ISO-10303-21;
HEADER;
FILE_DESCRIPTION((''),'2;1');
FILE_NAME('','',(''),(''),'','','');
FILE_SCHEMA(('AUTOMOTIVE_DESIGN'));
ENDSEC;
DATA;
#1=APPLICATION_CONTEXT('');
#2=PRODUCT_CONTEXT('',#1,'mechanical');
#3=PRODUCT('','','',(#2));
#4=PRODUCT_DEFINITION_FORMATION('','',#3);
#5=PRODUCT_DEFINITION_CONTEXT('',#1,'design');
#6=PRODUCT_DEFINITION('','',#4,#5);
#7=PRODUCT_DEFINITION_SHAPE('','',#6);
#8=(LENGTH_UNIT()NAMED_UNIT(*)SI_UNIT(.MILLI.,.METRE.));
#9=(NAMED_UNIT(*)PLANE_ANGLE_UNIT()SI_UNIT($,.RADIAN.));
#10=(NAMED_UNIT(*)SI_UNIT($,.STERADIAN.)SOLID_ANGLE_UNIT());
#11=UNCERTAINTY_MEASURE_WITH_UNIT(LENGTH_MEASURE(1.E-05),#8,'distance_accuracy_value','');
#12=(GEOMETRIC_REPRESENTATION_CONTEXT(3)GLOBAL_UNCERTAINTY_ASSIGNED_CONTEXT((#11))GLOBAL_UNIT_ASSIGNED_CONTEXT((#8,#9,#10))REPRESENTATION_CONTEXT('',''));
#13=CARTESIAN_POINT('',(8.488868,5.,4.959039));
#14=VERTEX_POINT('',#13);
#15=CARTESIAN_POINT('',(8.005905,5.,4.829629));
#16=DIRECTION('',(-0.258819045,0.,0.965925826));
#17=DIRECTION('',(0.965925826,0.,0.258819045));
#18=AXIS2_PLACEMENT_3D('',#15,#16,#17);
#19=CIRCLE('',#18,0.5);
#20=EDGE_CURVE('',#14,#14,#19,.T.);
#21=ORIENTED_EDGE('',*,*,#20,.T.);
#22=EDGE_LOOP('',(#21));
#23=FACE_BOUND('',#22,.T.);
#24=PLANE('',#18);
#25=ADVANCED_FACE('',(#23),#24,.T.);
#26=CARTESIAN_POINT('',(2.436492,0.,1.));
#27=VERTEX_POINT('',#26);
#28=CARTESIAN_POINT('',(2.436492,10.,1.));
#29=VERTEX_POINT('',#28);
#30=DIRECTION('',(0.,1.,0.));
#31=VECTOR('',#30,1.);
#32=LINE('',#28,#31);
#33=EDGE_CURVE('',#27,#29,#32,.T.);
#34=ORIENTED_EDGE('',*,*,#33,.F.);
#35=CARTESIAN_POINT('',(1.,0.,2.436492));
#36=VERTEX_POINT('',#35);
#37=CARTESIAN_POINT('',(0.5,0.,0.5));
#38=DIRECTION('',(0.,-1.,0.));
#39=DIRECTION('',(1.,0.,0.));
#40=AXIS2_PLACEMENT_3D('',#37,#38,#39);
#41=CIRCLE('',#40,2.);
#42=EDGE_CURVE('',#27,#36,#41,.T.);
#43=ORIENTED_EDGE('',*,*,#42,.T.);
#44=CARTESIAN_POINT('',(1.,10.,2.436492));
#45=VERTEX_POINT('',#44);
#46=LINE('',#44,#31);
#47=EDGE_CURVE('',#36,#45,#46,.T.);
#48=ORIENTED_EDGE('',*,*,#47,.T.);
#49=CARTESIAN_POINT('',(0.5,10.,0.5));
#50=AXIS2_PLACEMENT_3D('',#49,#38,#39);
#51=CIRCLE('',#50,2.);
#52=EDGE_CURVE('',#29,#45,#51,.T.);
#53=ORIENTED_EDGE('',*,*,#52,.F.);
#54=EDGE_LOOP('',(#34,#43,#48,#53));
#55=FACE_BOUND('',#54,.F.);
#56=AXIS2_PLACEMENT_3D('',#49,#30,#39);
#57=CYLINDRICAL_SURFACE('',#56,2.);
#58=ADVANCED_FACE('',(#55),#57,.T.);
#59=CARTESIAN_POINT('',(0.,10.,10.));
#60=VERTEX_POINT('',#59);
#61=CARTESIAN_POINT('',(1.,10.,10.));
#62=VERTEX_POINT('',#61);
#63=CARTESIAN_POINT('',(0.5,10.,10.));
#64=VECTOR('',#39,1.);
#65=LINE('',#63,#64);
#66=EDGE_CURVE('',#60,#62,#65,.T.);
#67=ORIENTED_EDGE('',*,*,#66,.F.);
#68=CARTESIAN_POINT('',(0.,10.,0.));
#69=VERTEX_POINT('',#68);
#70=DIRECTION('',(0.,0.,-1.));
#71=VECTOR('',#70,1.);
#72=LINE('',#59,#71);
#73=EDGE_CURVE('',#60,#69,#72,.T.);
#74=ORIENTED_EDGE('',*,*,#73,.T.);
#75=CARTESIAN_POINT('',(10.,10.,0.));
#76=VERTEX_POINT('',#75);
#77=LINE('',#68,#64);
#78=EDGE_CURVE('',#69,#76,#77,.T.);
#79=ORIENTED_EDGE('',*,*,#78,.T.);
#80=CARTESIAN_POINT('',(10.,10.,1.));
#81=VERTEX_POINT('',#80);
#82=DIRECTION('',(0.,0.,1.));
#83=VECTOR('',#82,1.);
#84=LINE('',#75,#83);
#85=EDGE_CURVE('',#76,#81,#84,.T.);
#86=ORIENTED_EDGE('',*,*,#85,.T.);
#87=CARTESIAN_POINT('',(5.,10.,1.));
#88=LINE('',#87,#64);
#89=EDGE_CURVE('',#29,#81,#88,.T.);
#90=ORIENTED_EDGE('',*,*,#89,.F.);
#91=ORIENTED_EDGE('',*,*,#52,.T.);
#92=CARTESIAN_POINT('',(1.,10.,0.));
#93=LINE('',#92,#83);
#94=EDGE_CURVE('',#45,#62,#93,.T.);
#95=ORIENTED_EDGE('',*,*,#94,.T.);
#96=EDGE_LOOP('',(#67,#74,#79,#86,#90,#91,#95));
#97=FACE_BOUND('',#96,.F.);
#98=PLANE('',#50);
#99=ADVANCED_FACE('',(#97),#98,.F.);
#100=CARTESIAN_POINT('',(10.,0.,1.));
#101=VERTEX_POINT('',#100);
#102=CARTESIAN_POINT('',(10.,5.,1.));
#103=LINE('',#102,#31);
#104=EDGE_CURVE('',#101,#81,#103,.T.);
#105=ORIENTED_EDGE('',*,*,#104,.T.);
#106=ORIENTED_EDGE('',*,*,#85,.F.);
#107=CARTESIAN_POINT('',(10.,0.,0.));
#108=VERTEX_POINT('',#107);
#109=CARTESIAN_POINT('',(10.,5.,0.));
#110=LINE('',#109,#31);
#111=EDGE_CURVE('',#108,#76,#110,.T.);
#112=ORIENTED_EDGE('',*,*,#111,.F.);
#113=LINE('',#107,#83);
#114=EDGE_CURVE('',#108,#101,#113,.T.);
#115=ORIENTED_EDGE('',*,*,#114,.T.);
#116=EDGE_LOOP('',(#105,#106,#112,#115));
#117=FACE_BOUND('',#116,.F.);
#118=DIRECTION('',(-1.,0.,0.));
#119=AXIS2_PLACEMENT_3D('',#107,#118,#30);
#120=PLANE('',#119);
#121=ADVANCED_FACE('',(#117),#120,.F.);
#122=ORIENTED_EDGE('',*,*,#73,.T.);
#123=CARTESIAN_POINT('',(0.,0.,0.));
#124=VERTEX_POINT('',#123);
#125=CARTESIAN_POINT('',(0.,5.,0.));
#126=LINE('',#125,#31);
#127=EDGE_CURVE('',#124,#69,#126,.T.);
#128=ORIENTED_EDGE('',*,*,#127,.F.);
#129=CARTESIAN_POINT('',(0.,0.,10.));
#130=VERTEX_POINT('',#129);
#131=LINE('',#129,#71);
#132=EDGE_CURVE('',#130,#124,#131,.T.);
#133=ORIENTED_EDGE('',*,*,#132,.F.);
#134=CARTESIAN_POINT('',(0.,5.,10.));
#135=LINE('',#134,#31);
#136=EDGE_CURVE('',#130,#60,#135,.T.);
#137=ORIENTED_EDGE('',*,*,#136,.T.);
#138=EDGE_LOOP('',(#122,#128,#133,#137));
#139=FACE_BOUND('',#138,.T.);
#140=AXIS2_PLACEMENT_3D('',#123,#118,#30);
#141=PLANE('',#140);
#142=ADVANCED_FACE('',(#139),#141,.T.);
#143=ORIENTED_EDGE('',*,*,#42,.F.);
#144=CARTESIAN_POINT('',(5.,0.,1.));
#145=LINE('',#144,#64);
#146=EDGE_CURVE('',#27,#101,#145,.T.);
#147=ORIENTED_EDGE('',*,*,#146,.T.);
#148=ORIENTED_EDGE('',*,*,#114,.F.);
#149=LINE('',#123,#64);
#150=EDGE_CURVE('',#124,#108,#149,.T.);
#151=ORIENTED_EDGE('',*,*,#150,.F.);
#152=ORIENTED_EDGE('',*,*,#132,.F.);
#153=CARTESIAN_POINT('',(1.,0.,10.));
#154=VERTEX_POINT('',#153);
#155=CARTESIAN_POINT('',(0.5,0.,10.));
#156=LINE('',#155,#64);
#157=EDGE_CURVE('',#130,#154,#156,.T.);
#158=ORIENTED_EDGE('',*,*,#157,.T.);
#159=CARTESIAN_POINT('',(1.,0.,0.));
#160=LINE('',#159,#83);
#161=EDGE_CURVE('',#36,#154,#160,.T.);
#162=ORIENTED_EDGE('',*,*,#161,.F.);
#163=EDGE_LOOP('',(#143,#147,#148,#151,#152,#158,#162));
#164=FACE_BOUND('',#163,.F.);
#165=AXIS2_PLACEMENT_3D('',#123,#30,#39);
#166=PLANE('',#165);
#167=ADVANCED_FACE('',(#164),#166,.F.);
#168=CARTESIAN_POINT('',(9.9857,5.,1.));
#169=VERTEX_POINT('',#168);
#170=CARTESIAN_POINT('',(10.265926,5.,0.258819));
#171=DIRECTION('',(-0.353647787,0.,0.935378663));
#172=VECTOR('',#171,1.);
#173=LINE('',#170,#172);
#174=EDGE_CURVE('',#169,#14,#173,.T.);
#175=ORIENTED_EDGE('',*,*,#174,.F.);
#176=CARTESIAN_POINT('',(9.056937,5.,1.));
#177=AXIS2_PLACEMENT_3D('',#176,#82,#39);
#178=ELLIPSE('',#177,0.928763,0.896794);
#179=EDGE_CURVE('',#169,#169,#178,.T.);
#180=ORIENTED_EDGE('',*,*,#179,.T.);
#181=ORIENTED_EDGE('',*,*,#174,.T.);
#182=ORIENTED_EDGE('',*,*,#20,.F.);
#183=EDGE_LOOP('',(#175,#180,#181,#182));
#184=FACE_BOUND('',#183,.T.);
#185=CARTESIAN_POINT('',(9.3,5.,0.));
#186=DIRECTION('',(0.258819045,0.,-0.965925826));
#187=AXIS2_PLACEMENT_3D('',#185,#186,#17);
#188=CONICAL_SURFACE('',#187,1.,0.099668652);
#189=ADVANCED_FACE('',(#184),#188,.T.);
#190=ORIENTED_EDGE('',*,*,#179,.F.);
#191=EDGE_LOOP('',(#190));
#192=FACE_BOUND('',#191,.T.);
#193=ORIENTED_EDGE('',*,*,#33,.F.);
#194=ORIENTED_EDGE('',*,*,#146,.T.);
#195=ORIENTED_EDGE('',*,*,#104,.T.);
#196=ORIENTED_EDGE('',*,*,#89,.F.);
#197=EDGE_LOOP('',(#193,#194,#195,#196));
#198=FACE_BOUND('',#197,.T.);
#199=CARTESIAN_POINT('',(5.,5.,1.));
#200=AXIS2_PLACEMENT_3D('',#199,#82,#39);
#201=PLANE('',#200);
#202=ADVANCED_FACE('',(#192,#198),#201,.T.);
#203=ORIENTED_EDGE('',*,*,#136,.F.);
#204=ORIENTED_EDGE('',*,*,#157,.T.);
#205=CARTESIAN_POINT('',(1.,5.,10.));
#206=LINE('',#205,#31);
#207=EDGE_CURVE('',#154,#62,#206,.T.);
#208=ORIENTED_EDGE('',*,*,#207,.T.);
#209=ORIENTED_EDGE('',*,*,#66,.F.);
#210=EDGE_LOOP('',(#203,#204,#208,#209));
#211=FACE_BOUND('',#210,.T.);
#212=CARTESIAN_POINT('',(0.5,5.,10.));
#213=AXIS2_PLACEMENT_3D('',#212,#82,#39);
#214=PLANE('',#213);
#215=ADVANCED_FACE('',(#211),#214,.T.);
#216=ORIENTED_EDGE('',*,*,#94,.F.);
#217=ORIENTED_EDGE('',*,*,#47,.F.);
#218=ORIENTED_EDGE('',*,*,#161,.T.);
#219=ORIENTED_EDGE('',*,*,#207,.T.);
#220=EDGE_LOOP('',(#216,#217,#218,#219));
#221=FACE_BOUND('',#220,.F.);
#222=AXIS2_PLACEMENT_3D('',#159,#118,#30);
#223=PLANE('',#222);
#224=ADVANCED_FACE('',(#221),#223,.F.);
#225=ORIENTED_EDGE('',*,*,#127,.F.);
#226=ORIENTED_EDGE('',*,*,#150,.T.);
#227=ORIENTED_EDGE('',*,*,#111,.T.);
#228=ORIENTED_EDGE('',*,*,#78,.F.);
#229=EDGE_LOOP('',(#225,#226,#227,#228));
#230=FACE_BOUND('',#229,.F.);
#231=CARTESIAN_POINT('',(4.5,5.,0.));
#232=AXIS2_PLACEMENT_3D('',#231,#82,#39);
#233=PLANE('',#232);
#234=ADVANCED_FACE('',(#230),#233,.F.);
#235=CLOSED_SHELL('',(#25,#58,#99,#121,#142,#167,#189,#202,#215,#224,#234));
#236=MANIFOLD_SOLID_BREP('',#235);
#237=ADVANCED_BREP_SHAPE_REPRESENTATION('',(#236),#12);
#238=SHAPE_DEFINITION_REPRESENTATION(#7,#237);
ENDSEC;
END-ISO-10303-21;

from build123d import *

# Parameters (mm, degrees)
BOX002_W            = 15
BOX002_H            = 10
BOX002_DEPTH        = 2
BOX003_W            = 3
BOX003_H            = 10
BOX003_DEPTH        = 10
BOX004_W            = 2
BOX004_H            = 10
BOX004_DEPTH        = 1
BOX001_W            = 1
BOX001_H            = 10
BOX001_DEPTH        = 10
CONE_PITCH_ANGLE    = -15
CYLINDER_R          = 2
CYLINDER_DEPTH      = 10
CYLINDER_ROLL_ANGLE = 90
BOX_W               = 10
BOX_H               = 10
BOX_DEPTH           = 1


with BuildPart() as cubo002:
    # Box002 → Box002 (new body)
    with BuildSketch(Plane(origin=(-3, 0, -2), x_dir=(1, 0, 0), z_dir=(0, 0, 1))):
        with Locations((7.5, 5)):
            Rectangle(BOX002_W, BOX002_H)
    extrude(amount=BOX002_DEPTH)


with BuildPart() as cubo003:
    # Box003 → Box003 (new body)
    with BuildSketch(Plane(origin=(-3, 0, 0), x_dir=(1, 0, 0), z_dir=(0, 0, 1))):
        with Locations((1.5, 5)):
            Rectangle(BOX003_W, BOX003_H)
    extrude(amount=BOX003_DEPTH)


with BuildPart() as cubo004:
    # Box004 → Box004 (new body)
    with BuildSketch(Plane(origin=(10, 0, 0), x_dir=(1, 0, 0), z_dir=(0, 0, 1))):
        with Locations((1, 5)):
            Rectangle(BOX004_W, BOX004_H)
    extrude(amount=BOX004_DEPTH)


with BuildPart() as cubo001:
    # Box001 → Box001 (new body)
    with BuildSketch(Plane.XY):
        with Locations((0.5, 5)):
            Rectangle(BOX001_W, BOX001_H)
    extrude(amount=BOX001_DEPTH)


with BuildPart() as cono:
    # Cone → Cone (revolve)
    with BuildSketch(Plane.XZ):
        Polygon((0, 0), (1, 0), (0.5, 5), (0, 5), align=None)
    revolve(axis=Axis((0, 0, 0), (0, 0, 1)))


with BuildPart() as cono_1:
    # Cone pitch: moved
    add(cono.part.rotate(Axis((0, 0, 0), (0, 1, 0)), CONE_PITCH_ANGLE))


with BuildPart() as cono_2:
    # Cone placement: moved
    add(cono_1.part.moved(Location((9.3, 5, 0))))


with BuildPart() as cilindro:
    # Cylinder → Cylinder (new body)
    with BuildSketch(Plane.XY):
        Circle(CYLINDER_R)
    extrude(amount=CYLINDER_DEPTH)


with BuildPart() as cilindro_1:
    # Cylinder roll: moved
    add(cilindro.part.rotate(Axis((0, 0, 0), (1, 0, 0)), CYLINDER_ROLL_ANGLE))


with BuildPart() as cilindro_2:
    # Cylinder placement: moved
    add(cilindro_1.part.moved(Location((0.5, 10, 0.5))))


with BuildPart() as cut002:
    # Box → Box (new body)
    with BuildSketch(Plane.XY):
        with Locations((5, 5)):
            Rectangle(BOX_W, BOX_H)
    extrude(amount=BOX_DEPTH)

    # Fusion: union Cubo001, Cono, Cilindro
    add(cubo001.part)
    add(cono_2.part)
    add(cilindro_2.part)

    # Cut: cut Cubo004
    add(cubo004.part, mode=Mode.SUBTRACT)

    # Cut001: cut Cubo003
    add(cubo003.part, mode=Mode.SUBTRACT)

    # Cut002: cut Cubo002
    add(cubo002.part, mode=Mode.SUBTRACT)


solid = cut002.part
